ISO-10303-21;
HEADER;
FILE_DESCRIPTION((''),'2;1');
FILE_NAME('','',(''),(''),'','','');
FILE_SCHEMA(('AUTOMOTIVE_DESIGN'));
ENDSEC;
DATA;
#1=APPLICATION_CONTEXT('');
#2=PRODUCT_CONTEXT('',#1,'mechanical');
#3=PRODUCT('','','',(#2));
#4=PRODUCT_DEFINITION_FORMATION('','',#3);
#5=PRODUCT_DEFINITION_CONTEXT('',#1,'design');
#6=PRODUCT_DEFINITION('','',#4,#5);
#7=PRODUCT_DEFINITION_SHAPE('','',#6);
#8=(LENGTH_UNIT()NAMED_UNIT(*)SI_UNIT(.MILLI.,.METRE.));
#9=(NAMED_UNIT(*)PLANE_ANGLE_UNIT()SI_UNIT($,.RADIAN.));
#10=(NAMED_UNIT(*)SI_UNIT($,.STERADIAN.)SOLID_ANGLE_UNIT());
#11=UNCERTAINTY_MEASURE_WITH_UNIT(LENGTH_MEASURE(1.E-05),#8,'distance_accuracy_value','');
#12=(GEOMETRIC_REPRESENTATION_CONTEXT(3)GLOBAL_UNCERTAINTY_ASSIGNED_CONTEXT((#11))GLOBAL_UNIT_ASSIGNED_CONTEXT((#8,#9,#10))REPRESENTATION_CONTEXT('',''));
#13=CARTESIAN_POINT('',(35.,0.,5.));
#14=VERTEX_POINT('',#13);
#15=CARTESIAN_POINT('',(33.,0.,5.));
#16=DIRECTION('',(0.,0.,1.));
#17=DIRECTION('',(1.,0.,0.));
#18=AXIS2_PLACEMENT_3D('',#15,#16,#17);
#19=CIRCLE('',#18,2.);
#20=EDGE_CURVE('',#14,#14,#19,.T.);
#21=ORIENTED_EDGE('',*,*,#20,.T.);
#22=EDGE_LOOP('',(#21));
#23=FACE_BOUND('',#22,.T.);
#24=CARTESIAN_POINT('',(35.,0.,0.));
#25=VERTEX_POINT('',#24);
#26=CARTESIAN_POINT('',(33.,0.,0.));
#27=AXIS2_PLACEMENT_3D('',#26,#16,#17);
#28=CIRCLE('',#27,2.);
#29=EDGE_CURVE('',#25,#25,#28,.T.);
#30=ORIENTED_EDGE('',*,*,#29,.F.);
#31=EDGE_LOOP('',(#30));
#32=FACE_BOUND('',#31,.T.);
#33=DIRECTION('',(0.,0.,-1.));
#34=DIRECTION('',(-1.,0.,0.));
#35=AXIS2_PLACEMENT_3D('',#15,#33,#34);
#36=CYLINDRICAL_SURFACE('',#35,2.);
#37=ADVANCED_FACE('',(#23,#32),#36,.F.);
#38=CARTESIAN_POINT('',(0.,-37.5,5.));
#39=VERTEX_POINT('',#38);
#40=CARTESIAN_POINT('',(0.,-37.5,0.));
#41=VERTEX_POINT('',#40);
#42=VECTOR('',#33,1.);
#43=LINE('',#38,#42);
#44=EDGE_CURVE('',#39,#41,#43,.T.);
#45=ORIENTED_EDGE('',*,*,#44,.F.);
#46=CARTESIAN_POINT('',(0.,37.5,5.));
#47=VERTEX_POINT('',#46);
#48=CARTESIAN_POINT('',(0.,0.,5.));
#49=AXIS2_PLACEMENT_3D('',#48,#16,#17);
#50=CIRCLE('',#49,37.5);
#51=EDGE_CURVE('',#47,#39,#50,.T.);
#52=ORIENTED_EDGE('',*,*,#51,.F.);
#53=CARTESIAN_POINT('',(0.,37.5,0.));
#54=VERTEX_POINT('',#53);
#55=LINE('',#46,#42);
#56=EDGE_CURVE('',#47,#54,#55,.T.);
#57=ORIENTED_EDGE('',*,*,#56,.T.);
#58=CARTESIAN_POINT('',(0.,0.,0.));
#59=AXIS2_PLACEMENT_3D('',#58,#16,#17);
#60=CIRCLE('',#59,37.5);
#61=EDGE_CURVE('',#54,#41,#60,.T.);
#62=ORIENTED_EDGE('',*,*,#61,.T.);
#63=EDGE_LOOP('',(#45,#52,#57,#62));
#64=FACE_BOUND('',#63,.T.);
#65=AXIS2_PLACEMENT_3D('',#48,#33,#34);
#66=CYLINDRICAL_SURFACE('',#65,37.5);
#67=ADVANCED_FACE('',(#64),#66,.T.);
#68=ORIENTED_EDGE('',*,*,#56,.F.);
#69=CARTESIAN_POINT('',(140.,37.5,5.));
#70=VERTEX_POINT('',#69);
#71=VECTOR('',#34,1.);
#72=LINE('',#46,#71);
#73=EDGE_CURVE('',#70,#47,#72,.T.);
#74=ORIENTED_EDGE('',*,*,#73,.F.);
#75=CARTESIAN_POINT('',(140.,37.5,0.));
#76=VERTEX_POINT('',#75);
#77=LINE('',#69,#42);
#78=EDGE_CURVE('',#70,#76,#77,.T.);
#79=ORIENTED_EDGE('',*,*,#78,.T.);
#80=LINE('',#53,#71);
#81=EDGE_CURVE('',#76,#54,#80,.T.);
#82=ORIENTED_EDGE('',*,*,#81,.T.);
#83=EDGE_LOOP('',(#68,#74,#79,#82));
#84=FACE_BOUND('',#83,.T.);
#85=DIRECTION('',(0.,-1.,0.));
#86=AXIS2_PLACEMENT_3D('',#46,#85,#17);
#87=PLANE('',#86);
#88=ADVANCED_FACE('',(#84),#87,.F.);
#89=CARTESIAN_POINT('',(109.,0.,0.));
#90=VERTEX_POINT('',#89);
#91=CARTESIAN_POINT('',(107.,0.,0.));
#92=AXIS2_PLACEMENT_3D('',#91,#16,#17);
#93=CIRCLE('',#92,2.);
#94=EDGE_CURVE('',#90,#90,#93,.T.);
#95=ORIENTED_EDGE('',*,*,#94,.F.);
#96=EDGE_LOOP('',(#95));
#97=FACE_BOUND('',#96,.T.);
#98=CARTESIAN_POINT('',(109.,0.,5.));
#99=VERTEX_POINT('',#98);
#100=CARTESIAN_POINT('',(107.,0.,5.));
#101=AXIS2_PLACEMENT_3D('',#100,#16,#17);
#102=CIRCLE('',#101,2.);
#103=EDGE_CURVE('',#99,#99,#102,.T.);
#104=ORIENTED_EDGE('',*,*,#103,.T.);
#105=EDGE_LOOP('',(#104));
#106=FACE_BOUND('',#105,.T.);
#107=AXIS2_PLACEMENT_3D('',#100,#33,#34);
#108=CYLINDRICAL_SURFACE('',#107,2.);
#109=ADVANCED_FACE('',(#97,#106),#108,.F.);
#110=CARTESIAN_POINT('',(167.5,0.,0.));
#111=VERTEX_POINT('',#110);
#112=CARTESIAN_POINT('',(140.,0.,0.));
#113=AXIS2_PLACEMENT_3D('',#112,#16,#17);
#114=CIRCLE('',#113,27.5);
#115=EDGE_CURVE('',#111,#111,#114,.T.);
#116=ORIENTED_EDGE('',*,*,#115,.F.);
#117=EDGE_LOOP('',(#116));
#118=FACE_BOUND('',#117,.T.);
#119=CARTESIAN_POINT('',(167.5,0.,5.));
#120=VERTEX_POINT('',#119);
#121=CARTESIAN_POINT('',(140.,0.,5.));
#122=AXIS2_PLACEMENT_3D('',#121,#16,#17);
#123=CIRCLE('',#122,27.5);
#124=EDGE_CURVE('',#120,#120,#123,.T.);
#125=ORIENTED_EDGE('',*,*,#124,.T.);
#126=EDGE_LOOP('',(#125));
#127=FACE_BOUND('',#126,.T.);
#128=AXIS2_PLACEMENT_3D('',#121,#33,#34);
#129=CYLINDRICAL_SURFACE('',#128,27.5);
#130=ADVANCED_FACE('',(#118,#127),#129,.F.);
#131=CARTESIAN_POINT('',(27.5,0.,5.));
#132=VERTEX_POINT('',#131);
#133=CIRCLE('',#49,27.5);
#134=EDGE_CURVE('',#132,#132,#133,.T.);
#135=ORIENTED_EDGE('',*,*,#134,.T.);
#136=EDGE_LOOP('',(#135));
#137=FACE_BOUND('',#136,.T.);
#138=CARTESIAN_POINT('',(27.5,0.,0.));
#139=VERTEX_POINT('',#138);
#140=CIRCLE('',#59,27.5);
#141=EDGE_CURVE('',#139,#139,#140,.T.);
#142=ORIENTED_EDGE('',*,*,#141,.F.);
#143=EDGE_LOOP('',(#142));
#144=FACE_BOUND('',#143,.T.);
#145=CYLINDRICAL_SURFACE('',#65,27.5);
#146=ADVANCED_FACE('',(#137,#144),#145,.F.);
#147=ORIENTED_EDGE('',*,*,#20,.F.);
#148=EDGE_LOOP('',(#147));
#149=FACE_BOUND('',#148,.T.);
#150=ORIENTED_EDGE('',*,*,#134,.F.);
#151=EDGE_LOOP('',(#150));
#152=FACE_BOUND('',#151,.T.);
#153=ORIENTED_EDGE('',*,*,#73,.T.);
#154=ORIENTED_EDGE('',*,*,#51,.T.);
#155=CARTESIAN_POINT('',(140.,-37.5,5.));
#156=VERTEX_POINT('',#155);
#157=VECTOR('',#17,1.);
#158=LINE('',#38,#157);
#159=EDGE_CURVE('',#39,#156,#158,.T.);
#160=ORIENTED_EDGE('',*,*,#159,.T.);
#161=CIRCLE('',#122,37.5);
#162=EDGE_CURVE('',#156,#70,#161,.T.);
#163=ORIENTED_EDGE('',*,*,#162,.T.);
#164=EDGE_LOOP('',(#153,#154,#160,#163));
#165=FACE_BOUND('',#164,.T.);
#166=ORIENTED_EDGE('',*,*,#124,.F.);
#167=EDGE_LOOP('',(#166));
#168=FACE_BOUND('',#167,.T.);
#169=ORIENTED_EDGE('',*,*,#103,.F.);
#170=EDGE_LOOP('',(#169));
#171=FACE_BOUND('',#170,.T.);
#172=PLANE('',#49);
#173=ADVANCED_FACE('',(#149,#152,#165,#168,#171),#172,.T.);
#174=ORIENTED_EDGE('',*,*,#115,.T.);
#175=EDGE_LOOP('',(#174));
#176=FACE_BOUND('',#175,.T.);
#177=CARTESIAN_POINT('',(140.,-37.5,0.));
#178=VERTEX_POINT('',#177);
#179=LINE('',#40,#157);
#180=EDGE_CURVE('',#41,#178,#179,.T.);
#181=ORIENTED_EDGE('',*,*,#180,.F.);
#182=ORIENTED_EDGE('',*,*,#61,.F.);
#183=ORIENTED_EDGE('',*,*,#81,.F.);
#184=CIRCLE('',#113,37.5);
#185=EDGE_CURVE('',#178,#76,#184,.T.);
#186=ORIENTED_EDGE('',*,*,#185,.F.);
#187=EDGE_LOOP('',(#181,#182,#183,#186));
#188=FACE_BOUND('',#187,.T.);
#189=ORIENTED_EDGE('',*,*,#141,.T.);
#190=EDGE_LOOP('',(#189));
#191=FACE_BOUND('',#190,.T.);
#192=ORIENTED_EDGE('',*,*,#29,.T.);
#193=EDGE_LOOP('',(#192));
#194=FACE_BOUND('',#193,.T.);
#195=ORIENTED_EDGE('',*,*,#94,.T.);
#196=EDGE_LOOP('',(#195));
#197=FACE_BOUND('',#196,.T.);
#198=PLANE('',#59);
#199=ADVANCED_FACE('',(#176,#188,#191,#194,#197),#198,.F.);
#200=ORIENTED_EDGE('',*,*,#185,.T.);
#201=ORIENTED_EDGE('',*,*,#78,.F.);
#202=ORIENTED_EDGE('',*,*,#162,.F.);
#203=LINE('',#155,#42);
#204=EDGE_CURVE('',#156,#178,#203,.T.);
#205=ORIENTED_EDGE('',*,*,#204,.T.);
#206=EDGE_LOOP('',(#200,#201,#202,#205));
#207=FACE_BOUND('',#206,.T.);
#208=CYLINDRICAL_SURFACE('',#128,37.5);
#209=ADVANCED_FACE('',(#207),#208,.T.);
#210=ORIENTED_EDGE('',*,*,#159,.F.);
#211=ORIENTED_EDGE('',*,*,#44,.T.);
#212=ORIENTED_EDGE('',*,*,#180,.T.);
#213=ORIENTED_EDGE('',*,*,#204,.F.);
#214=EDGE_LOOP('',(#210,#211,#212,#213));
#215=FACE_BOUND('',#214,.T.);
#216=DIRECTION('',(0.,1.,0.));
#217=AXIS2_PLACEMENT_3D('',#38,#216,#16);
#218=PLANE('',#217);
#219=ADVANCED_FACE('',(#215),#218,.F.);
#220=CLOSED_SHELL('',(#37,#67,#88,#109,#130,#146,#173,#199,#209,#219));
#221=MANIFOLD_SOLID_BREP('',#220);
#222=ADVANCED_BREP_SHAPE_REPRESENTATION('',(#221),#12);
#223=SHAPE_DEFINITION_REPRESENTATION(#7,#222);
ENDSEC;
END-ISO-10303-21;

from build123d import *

# Parameters (mm, degrees)
SKETCH_1_R      = 27.5
SKETCH_1_R_2    = 2
EXTRUDE_1_DEPTH = 5


with BuildPart() as part:
    # 草图1 → 凸台-拉伸1 (new body)
    with BuildSketch(Plane.XY):
        with BuildLine():
            Line((0, 37.5), (140, 37.5))
            ThreePointArc((140, 37.5), (177.5, 0), (140, -37.5))
            Line((140, -37.5), (0, -37.5))
            ThreePointArc((0, -37.5), (-37.5, 0), (0, 37.5))
        make_face()
        Circle(SKETCH_1_R, mode=Mode.SUBTRACT)
        with Locations((140, 0)):
            Circle(SKETCH_1_R, mode=Mode.SUBTRACT)
        with Locations((33, 0)):
            Circle(SKETCH_1_R_2, mode=Mode.SUBTRACT)
        with Locations((107, 0)):
            Circle(SKETCH_1_R_2, mode=Mode.SUBTRACT)
    extrude(amount=EXTRUDE_1_DEPTH)


solid = part.part
